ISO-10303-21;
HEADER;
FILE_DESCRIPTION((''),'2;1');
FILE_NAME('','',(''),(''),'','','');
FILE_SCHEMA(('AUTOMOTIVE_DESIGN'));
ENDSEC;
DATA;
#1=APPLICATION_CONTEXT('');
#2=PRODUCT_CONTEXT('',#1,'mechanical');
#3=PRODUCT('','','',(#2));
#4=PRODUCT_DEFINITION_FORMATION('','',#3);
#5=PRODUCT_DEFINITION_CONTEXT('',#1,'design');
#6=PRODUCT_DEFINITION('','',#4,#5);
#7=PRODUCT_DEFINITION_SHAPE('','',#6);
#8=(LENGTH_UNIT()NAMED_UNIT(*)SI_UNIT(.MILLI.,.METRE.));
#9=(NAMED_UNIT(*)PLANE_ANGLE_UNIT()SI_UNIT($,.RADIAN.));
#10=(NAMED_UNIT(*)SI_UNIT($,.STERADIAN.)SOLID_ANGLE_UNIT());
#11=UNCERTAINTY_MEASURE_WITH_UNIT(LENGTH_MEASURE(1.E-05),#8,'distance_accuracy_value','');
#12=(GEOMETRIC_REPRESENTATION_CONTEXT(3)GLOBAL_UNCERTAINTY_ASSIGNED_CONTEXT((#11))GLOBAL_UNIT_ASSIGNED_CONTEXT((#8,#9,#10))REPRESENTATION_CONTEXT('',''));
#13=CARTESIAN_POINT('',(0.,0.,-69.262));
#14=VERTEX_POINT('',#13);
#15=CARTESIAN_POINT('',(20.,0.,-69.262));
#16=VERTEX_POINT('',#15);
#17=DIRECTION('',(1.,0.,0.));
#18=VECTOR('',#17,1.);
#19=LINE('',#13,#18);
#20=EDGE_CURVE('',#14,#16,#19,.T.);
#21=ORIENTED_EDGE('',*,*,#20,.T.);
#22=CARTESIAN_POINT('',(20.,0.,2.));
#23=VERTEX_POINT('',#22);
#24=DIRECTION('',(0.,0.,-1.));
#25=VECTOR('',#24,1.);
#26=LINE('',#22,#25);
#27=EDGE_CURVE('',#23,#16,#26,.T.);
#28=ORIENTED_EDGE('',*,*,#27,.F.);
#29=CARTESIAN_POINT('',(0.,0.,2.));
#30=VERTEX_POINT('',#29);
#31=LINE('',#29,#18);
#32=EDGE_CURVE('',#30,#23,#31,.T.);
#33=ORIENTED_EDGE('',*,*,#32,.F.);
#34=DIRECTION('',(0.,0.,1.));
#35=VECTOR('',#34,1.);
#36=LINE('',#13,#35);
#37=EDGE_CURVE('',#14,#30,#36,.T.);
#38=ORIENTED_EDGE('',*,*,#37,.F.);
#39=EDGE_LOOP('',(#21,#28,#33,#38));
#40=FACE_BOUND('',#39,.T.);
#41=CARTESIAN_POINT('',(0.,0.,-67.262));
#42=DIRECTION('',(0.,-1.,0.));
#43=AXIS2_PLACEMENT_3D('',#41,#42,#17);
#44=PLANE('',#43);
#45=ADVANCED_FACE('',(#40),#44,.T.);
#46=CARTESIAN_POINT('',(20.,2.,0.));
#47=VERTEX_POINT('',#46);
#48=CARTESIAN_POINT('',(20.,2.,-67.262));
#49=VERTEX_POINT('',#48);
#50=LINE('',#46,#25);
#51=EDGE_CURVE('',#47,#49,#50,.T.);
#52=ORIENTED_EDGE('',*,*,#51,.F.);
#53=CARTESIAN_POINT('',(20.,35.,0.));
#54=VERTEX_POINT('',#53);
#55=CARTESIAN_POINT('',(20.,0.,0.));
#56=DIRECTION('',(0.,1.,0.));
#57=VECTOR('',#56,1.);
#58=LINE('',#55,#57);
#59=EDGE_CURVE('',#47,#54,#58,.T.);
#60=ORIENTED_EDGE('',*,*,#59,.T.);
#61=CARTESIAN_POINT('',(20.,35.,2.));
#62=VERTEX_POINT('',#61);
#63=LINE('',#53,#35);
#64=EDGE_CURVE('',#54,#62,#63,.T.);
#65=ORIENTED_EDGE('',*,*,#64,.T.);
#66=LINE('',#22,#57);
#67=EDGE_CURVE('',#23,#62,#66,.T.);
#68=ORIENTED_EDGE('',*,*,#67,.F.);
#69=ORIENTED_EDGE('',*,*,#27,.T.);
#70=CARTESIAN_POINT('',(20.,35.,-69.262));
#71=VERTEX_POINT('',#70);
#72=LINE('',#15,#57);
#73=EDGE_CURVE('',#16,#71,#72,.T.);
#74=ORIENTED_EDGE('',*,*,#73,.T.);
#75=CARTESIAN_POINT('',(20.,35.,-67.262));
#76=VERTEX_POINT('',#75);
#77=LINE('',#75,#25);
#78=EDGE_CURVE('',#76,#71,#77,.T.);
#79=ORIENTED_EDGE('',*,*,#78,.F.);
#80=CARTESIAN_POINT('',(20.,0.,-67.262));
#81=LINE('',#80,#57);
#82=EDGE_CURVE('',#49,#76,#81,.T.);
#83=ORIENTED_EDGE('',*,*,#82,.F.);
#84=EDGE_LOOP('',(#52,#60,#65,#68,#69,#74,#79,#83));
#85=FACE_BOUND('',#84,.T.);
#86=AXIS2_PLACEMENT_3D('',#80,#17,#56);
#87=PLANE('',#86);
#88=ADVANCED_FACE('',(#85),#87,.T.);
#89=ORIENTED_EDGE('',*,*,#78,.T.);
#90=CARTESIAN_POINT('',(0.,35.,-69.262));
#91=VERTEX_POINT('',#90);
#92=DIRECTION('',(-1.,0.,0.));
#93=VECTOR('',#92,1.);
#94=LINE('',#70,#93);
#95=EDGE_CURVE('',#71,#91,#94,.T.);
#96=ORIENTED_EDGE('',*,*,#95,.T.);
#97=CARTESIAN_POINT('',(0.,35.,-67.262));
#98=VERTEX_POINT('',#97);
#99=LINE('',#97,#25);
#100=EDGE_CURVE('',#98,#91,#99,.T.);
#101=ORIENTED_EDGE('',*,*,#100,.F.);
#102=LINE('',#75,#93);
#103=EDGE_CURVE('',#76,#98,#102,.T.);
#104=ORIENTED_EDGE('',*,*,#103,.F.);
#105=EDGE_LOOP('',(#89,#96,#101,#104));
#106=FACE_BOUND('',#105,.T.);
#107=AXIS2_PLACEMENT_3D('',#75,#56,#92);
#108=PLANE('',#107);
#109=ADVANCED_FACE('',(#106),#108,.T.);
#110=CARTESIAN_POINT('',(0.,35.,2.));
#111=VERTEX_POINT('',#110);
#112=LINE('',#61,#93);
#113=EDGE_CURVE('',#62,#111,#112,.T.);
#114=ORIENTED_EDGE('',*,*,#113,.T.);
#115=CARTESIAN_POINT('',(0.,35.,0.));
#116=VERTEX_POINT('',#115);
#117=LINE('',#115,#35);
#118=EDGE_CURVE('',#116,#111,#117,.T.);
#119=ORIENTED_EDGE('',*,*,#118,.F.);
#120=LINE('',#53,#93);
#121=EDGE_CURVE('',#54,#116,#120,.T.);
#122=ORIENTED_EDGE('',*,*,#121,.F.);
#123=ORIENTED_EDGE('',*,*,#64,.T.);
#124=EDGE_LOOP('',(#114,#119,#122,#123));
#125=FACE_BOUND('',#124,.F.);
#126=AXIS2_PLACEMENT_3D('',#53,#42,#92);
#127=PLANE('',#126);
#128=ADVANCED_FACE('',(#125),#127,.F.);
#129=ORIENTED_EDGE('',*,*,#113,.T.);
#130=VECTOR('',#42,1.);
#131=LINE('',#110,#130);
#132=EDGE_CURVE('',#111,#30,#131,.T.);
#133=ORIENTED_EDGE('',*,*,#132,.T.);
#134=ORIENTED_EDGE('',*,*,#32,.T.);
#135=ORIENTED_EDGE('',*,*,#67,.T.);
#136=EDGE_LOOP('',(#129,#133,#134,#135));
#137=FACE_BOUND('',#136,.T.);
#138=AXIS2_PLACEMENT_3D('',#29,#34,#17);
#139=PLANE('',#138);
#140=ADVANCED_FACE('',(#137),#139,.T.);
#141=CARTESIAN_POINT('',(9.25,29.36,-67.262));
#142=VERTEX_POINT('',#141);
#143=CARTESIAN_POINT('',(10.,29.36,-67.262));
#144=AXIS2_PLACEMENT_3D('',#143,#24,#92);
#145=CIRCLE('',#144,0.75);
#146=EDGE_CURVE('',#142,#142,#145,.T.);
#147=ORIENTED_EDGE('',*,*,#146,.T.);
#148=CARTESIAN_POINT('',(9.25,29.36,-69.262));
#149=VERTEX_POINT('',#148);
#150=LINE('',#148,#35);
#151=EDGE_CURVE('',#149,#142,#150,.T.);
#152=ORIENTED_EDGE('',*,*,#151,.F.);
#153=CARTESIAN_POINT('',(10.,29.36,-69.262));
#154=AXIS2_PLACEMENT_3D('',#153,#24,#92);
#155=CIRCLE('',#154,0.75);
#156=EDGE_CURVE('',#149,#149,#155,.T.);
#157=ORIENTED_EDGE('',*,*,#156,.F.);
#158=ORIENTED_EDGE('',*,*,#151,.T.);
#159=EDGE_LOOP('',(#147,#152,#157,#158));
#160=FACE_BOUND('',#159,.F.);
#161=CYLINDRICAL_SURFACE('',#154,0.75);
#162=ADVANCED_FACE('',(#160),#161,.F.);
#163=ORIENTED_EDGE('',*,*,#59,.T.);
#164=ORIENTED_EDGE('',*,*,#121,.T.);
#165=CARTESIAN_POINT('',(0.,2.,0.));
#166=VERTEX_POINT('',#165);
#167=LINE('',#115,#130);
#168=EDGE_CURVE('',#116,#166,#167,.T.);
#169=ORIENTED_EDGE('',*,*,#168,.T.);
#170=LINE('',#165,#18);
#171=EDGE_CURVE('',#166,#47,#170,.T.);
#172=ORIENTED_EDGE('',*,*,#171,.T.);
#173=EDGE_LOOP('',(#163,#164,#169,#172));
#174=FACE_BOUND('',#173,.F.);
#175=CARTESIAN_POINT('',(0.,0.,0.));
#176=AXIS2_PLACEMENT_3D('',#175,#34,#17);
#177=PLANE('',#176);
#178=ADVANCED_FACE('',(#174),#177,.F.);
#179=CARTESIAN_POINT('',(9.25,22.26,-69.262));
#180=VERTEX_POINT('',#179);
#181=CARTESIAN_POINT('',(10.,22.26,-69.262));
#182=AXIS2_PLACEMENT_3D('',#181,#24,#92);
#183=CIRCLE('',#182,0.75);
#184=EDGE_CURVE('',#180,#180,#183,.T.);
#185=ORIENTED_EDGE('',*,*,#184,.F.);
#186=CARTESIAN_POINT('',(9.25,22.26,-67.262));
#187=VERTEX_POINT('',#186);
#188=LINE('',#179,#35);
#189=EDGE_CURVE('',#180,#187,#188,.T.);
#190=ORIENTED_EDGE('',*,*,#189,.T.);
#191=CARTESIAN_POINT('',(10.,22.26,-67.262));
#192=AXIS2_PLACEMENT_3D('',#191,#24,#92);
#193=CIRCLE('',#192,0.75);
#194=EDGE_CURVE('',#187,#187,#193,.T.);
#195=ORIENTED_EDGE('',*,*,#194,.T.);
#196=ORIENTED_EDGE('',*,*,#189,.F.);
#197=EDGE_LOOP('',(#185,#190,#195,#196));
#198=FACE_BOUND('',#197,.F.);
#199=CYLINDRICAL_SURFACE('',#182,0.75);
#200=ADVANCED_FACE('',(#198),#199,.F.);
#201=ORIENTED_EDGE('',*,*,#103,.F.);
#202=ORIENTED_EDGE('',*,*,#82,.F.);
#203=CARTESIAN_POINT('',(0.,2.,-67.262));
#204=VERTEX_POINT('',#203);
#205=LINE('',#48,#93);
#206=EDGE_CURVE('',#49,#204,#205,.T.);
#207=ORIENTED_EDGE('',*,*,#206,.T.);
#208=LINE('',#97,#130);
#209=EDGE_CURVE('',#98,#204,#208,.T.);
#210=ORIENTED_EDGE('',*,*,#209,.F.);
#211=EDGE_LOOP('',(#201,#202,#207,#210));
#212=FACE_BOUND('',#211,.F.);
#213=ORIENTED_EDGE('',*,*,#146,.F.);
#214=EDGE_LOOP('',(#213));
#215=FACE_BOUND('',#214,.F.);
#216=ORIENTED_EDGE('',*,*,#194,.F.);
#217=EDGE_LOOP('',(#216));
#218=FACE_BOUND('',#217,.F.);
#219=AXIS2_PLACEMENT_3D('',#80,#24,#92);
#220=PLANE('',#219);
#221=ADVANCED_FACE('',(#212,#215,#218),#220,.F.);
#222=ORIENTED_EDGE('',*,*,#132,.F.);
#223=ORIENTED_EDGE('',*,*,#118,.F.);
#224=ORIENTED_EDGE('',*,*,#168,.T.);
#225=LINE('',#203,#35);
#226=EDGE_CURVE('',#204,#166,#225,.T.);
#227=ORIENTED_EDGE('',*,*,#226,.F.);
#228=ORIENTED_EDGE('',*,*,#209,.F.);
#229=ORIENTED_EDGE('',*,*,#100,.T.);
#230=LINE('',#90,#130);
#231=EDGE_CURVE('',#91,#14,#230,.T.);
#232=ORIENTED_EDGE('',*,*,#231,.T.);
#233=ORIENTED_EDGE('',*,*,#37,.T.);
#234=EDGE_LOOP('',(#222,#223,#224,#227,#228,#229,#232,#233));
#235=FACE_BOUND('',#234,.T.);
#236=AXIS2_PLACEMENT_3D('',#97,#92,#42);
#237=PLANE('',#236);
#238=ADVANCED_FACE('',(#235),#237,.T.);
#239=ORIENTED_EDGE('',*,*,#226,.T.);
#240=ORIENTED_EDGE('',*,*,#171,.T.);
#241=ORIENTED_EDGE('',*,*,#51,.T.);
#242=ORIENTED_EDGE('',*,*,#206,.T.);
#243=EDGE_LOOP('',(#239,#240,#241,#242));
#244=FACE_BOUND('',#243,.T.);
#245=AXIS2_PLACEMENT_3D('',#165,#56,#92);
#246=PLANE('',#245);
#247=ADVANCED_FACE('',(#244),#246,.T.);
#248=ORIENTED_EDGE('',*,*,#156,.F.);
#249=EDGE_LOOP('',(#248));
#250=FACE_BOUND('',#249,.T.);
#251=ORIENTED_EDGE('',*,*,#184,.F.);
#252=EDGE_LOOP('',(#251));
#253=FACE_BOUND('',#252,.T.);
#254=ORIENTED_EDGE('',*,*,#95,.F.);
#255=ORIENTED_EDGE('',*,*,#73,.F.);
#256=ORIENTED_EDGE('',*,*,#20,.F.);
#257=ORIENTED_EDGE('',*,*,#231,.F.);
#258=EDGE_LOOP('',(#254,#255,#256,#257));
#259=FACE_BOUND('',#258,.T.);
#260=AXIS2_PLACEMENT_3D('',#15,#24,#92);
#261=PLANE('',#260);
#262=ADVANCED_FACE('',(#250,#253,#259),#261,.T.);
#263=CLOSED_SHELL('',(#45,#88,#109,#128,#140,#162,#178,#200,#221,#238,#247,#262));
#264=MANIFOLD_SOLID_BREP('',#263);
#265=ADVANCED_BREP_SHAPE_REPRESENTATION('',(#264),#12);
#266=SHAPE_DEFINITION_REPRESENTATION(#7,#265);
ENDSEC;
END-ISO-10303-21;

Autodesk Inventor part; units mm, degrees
ref_plane "YZ Plane" through (0, 0, 0) normal (1, 0, 0) x (0, 1, 0)
ref_plane "XZ Plane" through (0, 0, 0) normal (0, 1, 0) x (-1, 0, 0)
ref_plane "XY Plane" through (0, 0, 0) normal (0, 0, 1) x (1, 0, 0)
sketch "Sketch1" plane through (0, 0, 0) normal (0, 1, 0) x (-1, 0, 0)
  line L0 (0, 0) -> (-20, 0)
  line L1 (-20, 0) -> (-20, -67.262)
  line L2 (-20, -67.262) -> (0, -67.262)
  line L3 (0, -67.262) -> (0, 0)
  dimension "d0" = 20
  dimension "d1" = 67.262
extrude "Extrusion1" add sketch "Sketch1" along normal blind 2
sketch "Sketch2" plane through (0, 0, 0) normal (0, 0, 1) x (1, 0, 0)
  line L0 (0, 0) -> (20, 0)
  line L1 (20, 0) -> (20, 35)
  line L2 (20, 35) -> (0, 35)
  line L3 (0, 35) -> (0, 0)
  dimension "d4" = 20
  dimension "d5" = 35
extrude "Extrusion2" add sketch "Sketch2" along normal blind 2
sketch "Sketch4" plane through (20, 0, -67.262) normal (0, 0, -1) x (-1, 0, 0)
  line L0 (0, 35) -> (20, 35) projected
  line L1 (0, 35) -> (20, 35)
  line L2 (20, 35) -> (20, 0)
  line L3 (20, 0) -> (0, 0)
  line L4 (0, 0) -> (0, 35)
extrude "Extrusion3" add sketch "Sketch4" along normal blind 2
sketch "Sketch5" plane through (20, 0, -69.262) normal (0, 0, -1) x (-1, 0, 0)
  circle A0 centre (10, 29.36) radius 0.75
  line L0 (20, 35) -> (0, 35) projected
  line L1 (0, 35) -> (0, 0) projected
  point P0 (20, 0)
  dimension "d10" = 1.5
  dimension "d11" = 5.64
  dimension "d12" = 10
extrude "Extrusion4" cut sketch "Sketch5" against normal blind 2
sketch "Sketch6" plane through (20, 0, -69.262) normal (0, 0, -1) x (-1, 0, 0)
  circle A0 centre (10, 22.26) radius 0.75
  line L0 (0, 35) -> (0, 0) projected
  circle A1 centre (10, 29.36) radius 0.75 projected
  point P0 (20, 0)
  dimension "d15" = 1.5
  dimension "d16" = 10
  dimension "d17" = 7.1
extrude "Extrusion5" cut sketch "Sketch6" against normal blind 2 contours A0
properties part number "Leg Servo Holder"
